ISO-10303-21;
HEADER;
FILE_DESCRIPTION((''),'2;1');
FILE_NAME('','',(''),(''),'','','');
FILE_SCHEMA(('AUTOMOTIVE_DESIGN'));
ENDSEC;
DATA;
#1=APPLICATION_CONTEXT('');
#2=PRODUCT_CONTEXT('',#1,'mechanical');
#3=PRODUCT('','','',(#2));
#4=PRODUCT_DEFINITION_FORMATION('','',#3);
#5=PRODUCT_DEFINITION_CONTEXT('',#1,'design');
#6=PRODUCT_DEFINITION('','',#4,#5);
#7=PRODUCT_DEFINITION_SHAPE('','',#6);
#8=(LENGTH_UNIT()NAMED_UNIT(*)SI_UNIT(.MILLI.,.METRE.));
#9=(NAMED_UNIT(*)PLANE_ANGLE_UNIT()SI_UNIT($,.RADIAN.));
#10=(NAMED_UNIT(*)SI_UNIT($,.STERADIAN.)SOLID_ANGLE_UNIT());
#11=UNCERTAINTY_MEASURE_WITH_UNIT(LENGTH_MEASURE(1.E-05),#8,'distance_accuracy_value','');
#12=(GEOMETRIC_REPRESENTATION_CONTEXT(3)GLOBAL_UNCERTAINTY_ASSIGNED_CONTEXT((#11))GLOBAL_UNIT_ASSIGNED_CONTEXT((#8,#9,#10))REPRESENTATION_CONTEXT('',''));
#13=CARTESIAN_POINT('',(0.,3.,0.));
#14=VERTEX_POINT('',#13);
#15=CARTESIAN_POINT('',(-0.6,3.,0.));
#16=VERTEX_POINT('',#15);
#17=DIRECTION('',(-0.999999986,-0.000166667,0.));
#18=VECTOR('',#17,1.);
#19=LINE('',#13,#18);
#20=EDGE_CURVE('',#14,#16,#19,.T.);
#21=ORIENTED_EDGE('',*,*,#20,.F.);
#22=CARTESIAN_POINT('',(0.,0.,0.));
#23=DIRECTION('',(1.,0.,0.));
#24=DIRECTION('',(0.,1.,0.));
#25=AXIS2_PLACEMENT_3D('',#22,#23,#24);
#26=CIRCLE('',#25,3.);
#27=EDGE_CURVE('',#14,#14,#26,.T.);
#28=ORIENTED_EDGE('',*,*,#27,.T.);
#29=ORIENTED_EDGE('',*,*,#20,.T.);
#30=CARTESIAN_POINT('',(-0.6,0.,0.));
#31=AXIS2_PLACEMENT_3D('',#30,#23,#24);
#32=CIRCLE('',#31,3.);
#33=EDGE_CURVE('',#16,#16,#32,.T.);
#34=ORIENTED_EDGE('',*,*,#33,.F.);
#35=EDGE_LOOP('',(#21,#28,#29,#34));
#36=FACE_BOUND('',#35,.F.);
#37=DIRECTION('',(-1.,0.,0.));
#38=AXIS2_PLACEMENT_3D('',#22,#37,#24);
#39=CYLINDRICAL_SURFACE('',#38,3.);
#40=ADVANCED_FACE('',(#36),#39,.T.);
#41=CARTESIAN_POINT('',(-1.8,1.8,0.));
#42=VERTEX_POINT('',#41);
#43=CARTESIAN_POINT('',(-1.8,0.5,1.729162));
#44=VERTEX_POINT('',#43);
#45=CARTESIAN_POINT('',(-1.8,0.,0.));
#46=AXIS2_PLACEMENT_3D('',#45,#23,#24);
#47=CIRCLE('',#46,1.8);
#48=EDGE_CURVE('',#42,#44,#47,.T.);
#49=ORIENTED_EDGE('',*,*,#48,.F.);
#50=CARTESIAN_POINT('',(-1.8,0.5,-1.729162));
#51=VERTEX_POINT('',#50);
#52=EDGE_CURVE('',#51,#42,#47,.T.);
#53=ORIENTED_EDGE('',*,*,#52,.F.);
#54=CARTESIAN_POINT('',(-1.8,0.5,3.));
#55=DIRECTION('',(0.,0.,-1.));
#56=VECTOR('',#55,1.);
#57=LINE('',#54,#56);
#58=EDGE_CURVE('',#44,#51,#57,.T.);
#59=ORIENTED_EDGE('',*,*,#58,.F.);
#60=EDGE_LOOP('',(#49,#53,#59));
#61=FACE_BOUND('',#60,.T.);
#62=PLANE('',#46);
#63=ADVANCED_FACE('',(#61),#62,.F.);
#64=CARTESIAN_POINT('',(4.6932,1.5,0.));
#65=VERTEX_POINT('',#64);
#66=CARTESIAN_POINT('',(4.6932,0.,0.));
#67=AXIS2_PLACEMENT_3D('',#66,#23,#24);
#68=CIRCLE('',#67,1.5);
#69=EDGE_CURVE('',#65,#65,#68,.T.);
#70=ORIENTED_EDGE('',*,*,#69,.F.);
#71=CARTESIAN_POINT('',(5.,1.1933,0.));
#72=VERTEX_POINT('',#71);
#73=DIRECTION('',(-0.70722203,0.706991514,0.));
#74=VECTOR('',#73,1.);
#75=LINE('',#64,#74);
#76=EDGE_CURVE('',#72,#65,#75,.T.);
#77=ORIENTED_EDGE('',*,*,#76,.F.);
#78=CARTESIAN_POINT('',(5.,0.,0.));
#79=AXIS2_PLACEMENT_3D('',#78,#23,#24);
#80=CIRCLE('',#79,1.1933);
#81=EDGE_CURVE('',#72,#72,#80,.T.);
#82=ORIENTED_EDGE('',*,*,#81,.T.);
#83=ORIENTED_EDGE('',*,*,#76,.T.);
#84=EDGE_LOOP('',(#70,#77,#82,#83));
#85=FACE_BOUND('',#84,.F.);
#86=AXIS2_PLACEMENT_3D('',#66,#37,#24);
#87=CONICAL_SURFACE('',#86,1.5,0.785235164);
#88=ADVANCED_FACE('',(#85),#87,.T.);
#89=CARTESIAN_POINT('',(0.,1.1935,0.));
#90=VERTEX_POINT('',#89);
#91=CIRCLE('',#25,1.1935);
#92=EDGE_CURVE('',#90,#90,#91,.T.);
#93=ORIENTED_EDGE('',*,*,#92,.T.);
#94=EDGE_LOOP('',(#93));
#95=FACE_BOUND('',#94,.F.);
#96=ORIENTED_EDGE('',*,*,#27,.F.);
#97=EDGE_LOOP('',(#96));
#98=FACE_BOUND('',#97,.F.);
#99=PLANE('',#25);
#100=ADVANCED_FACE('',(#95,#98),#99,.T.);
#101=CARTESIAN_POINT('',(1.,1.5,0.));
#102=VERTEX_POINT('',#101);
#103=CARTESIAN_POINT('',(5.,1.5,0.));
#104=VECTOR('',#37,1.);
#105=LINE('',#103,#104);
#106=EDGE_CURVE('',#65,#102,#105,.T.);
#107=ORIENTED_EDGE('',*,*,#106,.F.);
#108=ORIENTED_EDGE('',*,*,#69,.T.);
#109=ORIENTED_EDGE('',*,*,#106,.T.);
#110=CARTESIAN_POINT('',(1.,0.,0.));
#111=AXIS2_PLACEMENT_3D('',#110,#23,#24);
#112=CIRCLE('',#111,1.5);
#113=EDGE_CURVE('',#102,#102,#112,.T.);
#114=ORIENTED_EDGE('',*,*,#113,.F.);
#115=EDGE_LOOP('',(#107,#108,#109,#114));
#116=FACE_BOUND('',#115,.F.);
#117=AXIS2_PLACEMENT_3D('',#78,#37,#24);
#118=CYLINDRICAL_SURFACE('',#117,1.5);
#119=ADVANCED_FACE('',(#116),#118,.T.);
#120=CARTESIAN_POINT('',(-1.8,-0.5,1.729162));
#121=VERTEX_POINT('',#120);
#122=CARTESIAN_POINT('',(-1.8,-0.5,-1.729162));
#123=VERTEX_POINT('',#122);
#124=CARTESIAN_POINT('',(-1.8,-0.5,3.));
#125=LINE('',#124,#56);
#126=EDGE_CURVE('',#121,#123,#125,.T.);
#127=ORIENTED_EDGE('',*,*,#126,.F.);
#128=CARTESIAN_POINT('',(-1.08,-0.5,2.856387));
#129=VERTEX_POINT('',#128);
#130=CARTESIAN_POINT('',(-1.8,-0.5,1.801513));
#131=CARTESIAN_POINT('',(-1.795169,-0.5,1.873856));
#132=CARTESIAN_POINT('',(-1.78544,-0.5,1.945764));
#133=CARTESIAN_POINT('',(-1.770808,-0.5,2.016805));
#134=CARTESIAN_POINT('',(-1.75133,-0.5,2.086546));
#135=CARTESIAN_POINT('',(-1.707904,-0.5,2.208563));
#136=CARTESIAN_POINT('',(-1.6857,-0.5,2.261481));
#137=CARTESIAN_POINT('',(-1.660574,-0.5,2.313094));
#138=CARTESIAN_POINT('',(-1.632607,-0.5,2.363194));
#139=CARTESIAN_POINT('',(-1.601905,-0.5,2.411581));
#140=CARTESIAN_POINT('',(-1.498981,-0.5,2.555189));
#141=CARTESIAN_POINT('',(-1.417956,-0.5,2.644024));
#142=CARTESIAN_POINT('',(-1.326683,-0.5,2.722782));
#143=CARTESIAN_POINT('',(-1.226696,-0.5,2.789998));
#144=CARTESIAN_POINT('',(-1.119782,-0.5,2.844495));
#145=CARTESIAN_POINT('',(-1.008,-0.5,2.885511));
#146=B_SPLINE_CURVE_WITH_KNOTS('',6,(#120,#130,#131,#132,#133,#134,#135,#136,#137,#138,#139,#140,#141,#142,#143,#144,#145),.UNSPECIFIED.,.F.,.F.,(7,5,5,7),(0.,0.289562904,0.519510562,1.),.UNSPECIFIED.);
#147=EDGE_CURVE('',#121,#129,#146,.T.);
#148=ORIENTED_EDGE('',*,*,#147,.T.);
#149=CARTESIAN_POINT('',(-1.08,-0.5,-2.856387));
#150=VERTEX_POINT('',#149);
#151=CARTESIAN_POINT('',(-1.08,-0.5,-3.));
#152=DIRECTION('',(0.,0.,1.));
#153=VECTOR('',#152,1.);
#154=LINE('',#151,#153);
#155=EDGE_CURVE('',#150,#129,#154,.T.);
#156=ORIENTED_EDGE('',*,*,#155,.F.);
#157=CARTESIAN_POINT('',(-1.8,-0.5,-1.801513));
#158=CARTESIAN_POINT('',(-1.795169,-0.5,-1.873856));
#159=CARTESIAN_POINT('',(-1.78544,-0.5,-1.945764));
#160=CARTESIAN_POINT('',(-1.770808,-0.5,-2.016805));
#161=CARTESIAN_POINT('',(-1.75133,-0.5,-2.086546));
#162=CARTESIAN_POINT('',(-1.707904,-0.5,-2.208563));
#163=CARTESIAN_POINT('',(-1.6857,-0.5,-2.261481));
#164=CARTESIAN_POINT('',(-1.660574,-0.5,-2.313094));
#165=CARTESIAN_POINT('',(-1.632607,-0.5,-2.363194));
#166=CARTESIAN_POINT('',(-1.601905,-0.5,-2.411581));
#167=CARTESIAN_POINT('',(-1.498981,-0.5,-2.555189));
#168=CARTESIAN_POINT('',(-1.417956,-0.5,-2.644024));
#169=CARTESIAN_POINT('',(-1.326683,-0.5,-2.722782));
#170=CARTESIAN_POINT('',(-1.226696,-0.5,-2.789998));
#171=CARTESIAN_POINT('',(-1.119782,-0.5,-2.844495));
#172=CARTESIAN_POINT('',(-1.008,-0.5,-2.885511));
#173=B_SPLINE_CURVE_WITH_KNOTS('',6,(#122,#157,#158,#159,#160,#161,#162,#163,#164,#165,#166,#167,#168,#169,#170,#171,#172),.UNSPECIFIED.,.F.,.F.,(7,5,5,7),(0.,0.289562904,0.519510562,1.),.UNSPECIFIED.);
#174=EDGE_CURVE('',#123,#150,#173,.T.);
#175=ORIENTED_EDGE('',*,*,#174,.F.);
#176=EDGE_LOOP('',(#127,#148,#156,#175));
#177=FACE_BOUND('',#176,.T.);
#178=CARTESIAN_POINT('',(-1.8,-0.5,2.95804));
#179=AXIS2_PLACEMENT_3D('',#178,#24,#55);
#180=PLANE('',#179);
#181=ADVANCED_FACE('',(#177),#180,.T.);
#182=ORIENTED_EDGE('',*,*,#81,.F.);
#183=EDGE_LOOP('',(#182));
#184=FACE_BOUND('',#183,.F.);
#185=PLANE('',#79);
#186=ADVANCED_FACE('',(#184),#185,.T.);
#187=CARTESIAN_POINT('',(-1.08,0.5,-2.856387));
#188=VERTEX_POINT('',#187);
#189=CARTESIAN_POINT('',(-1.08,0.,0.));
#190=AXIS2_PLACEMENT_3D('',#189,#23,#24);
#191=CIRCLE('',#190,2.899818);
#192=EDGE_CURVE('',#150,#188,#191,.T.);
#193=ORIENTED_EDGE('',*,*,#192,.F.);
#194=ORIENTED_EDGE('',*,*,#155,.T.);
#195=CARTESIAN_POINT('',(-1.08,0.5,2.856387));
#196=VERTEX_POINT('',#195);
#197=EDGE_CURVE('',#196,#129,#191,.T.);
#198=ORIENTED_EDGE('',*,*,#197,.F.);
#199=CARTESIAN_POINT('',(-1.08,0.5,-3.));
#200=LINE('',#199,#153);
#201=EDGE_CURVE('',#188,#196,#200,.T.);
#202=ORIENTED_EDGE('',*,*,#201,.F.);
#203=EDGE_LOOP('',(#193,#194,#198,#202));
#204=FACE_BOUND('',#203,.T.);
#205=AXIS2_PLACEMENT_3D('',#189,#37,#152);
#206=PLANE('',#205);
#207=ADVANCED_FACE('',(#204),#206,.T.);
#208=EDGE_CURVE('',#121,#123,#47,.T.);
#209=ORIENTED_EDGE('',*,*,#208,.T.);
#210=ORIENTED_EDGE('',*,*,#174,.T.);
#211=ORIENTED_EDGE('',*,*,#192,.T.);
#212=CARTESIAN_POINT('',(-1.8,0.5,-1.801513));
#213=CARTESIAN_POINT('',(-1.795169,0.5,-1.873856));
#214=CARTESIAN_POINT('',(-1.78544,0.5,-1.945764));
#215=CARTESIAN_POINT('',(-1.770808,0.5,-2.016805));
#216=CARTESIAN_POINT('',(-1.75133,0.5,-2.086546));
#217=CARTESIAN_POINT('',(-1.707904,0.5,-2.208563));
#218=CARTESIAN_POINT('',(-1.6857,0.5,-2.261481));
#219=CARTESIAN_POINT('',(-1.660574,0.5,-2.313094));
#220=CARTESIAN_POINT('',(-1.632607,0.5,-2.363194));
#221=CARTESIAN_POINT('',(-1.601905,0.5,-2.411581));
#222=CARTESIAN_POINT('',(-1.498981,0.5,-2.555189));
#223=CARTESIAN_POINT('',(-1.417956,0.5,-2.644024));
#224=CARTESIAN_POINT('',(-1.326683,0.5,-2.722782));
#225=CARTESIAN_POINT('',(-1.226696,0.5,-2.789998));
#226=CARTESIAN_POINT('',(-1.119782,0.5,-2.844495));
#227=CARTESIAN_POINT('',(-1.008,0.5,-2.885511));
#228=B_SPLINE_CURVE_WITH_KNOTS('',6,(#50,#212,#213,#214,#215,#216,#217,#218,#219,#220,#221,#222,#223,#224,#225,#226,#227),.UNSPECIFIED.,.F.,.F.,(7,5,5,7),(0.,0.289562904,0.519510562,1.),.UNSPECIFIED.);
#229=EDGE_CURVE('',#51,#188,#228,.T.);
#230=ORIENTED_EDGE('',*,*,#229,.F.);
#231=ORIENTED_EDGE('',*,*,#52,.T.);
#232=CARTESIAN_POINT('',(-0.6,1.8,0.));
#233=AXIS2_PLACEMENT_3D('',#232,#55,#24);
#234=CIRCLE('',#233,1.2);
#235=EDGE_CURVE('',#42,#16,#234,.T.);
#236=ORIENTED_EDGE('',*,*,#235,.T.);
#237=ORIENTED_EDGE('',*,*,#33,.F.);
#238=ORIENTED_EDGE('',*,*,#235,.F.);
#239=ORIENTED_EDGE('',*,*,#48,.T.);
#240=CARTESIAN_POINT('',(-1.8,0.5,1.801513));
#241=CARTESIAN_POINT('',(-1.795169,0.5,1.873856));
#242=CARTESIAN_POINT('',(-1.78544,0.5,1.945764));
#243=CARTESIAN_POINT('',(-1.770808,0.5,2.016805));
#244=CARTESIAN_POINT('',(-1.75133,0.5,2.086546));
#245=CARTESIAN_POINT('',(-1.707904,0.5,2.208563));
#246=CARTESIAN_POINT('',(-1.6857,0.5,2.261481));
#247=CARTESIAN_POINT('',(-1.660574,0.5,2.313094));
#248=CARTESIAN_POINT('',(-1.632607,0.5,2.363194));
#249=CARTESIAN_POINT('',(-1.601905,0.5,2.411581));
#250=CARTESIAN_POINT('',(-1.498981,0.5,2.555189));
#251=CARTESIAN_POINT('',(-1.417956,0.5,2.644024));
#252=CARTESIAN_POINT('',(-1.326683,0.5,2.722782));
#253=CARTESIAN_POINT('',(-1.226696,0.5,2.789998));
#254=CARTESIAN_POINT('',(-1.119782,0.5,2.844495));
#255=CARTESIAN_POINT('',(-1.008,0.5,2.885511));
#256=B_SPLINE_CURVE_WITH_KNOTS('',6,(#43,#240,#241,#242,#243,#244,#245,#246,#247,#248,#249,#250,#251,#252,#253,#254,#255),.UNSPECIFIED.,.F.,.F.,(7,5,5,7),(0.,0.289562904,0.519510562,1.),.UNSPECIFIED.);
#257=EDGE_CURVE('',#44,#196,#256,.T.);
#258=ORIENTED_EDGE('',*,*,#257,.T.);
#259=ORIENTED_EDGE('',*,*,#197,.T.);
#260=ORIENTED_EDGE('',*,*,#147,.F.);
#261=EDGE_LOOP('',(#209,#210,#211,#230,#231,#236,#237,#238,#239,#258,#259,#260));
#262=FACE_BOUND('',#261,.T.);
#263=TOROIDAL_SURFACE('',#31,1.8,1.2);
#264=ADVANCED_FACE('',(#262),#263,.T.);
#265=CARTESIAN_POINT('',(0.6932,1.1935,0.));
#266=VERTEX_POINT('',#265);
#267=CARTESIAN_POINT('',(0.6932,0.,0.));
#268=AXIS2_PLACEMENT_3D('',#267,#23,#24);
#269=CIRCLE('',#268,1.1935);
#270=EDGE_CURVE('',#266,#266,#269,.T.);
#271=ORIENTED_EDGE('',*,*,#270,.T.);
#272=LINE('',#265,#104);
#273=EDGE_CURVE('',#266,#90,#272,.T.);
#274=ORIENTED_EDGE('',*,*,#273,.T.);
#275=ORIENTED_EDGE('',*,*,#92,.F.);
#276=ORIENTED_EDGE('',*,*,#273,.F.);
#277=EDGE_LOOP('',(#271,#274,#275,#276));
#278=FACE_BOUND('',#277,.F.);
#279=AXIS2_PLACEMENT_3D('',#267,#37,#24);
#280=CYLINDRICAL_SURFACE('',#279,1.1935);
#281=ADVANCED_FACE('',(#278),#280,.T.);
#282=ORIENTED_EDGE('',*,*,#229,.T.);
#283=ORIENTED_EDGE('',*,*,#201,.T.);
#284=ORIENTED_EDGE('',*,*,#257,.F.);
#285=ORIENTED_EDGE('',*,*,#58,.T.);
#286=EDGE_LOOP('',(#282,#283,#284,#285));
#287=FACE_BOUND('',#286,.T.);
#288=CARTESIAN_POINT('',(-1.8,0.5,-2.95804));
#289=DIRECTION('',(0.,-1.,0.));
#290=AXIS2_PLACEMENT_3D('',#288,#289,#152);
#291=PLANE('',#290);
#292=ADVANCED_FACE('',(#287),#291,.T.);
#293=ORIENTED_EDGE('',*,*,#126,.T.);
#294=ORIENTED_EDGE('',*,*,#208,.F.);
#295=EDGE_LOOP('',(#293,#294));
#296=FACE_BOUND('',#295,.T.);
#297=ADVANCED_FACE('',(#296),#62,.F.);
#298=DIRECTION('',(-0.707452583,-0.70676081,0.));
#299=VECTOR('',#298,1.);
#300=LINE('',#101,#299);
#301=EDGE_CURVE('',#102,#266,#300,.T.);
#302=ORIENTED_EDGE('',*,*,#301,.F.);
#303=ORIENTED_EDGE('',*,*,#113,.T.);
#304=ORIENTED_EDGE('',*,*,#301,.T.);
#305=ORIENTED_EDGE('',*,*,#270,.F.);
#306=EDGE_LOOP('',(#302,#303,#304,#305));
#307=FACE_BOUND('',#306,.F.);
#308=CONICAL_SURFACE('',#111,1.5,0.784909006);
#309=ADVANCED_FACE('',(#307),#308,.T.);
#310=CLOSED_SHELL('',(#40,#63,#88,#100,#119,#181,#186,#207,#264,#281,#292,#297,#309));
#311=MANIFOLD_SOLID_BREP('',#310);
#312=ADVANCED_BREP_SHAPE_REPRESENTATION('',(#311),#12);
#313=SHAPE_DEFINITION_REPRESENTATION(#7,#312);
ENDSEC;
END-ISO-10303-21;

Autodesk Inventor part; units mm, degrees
ref_plane "YZ Plane" through (0, 0, 0) normal (1, 0, 0) x (0, 1, 0)
ref_plane "XZ Plane" through (0, 0, 0) normal (0, 1, 0) x (-1, 0, 0)
sketch "Sketch1" plane through (0, 0, 0) normal (0, 0, 1) x (1, 0, 0)
  line L0 (-1.8, 0) -> (5, 0)
  line L1 (5, 0) -> (5, 1.5)
  line L2 (5, 1.5) -> (1, 1.5)
  line L3 (1, 1.5) -> (0.6932, 1.1935)
  line L4 (0.6932, 1.1935) -> (0, 1.1935)
  line L5 (0, 1.1935) -> (0, 3)
  line L6 (-3.16, 0) -> (6.36, 0) projected
  line L7 (0, -0.6) -> (0, 3.6) projected
  line L8 (-1.8, 0) -> (-1.8, 2.9997)
  line L9 (0, 3) -> (-1.8, 2.9997)
  line L10 (1, 1.5) -> (0, 1.5) construction
  dimension "d0" = 5
  dimension "d1" = 4
  dimension "d2" = 0.3068
  dimension "d3" = 1.8
  dimension "d4" = 3
  dimension "d5" = 2.387
  dimension "d9" = 6
  dimension "d10" = 0.01
revolve "Body" add sketch "Sketch1" angle 360 about axis through (-1.8, 0, 0) along (1, 0, 0)
sketch "Sketch2" plane through (-1.8, 0, 0) normal (-1, 0, 0) x (0, 0, 1)
  circle A0 centre (0, 0) radius 3 projected
  line L0 (0, 0) -> (0, 2.9997) projected
  line L1 (-3, 0.5) -> (3, 0.5)
  line L2 (3, 0.5) -> (3, -0.5)
  line L3 (3, -0.5) -> (-3, -0.5)
  line L4 (-3, -0.5) -> (-3, 0.5)
  line L5 (-3, 0) -> (3, 0) construction
  line L6 (0, 0.5) -> (0, -0.5) construction
  dimension "d11" = 1
  dimension "d12" = 6
fillet "Fillet1" radius 1.2 1 edges at (-1.8, -2.9997, 0)
extrude "Slot" cut sketch "Sketch2" against normal blind 0.72 contours A0 L3 L1 | L2 L3 A0 | A0 L1 L2 | L3 L4 A0 | A0 L4 L1
thread "Thread" size "M3x0.5" class "6g" standard "ISO Metric profile" length 4
chamfer "Chamfer1" distance 0.3067 distance2 0.3068 1 edges at (5, -1.5, 0) measured on face at (5, 0.8773, -0.3972)
ref_plane "Work Plane1" through (30.1625, 0, 0) normal (0, 0, -1) x (1, 0, 0)
equation "\"d11\" = SBR"
equation "\"d12\" = KOD"
equation "\"d14\" = RR"
equation "\"d19\" = STI"
equation "\"d15\" = GEL"
equation "\"d17\" = -0.5 * SPD + 0.5 * GD"
equation "\"d0\" = NLG"
equation "\"d1\" = GEL"
equation "\"d3\" = KOH"
equation "\"d4\" = GD"
equation "\"d5\" = BDM"
equation "\"d9\" = KOD"
equation "\"d10\" = KEWI"
equation "\"GD\" = NND"
equation "\"NLG\" = 5"
equation "\"GEL\" = 4"
equation "\"KOD\" = 6"
equation "\"KOH\" = 1.8"
equation "\"GAL\" = 0.61345 * PTC"
equation "\"SPD\" = NND - 1.2269 * PTC"
equation "\"BDM\" = 2.387"
equation "\"GUL\" = 0.61345 * PTC"
equation "\"RR\" = 1.2"
equation "\"SBR\" = 1"
equation "\"STI\" = 0.72"
equation "\"KEWI\" = 0.01deg"
equation "\"PTC\" = 0.5"
equation "\"THREADDIA\" = 3"
equation "\"TOA\" = 30deg"
equation "\"NND\" = 3"
equation "\"RR1\" = 0.3"
equation "\"GD1\" = THREADDIA - 1.2269 * PTC"
properties part number "AS 1427 - M3 x 5" material "Steel, Mild"
